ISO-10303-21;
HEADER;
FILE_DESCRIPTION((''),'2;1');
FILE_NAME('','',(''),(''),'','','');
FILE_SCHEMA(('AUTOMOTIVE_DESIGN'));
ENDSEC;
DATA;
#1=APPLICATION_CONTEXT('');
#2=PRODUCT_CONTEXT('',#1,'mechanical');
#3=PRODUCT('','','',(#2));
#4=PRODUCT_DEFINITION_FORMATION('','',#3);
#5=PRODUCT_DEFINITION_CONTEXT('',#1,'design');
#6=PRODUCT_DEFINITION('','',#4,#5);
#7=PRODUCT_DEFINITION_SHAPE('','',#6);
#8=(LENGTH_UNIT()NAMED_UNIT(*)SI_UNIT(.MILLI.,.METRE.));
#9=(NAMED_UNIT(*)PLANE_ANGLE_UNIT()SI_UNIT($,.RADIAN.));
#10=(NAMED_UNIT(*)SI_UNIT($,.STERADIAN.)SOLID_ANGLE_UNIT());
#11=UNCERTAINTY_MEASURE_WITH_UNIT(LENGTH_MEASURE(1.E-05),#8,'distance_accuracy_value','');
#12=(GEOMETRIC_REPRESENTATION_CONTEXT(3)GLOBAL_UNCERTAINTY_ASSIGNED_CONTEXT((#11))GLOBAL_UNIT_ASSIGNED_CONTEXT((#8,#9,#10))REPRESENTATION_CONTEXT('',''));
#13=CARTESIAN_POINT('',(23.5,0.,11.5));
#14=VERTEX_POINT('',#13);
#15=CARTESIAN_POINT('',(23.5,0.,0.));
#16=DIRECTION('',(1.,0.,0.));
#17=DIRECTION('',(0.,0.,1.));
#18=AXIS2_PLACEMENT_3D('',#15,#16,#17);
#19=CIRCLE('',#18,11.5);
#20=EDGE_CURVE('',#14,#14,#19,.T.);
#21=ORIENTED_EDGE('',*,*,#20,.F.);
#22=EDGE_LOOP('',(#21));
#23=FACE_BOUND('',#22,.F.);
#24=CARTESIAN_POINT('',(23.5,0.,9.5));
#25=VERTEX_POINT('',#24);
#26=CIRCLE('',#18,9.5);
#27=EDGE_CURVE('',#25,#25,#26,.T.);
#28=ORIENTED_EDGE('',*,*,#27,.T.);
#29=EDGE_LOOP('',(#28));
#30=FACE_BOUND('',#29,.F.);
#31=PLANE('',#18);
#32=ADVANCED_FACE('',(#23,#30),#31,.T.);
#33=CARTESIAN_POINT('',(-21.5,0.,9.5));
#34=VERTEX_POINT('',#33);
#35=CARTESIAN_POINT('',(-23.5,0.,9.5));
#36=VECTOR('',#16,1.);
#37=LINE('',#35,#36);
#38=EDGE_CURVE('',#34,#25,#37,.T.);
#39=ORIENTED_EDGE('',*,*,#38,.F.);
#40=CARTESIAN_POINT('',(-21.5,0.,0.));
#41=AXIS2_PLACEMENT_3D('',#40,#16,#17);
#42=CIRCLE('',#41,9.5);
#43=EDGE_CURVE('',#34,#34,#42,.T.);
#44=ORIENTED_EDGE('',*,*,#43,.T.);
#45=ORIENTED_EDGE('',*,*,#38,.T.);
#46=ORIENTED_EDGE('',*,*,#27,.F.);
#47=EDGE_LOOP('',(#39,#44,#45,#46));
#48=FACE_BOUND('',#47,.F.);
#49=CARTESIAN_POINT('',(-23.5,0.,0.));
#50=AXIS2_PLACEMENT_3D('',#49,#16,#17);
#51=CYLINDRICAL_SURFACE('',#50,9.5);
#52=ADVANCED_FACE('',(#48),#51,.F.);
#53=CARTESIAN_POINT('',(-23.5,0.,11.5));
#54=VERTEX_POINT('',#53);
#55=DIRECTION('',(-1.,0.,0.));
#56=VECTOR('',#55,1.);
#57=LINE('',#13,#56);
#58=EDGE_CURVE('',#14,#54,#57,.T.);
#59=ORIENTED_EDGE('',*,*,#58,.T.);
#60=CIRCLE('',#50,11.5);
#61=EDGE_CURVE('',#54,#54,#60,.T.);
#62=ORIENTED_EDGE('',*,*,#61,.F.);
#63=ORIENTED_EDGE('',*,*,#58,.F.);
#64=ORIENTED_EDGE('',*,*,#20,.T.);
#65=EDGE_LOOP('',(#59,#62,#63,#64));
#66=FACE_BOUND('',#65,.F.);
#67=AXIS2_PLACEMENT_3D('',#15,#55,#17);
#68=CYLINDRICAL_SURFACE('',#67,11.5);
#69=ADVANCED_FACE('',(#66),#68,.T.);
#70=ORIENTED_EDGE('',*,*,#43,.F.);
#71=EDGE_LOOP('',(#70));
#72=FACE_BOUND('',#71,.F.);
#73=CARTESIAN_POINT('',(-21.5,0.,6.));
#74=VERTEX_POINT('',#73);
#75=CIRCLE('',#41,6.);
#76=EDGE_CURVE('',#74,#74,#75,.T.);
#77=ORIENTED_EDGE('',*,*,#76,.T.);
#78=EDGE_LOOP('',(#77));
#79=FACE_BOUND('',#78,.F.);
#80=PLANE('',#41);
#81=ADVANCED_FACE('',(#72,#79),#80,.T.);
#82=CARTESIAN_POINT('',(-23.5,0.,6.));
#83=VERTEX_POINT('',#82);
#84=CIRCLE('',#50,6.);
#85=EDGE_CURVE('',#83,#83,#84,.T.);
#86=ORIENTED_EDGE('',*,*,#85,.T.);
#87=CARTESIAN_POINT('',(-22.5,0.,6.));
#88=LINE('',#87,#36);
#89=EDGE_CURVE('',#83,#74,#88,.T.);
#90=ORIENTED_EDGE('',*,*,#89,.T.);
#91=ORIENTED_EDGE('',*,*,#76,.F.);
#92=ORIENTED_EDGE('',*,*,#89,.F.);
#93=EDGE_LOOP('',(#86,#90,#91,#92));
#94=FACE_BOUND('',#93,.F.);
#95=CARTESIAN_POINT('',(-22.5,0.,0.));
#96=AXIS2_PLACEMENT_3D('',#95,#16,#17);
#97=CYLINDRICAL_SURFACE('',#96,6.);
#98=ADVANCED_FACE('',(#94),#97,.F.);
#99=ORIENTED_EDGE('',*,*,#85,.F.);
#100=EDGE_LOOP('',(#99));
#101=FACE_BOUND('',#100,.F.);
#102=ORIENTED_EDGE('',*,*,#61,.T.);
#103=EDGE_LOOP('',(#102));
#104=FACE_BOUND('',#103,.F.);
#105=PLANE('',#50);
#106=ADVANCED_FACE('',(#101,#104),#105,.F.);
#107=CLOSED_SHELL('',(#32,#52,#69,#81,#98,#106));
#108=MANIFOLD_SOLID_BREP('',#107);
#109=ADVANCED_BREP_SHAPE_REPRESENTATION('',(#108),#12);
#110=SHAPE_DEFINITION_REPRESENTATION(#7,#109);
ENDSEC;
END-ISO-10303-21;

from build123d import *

# Parameters (mm, degrees)
F0_W = 2
F0_H = 3.5


with BuildPart() as f2:
    # F0 (on Front) → F2 (revolve)
    with BuildSketch(Plane.XZ):
        Polygon((-23.5, 11.5), (-23.5, 9.5), (-21.5, 9.5), (23.5, 9.5), (23.5, 11.5), align=None)
        with Locations((-22.5, 7.75)):
            Rectangle(F0_W, F0_H)
    revolve(axis=Axis((-0.092756, 0, 0), (1, 0, 0)))


solid = f2.part
